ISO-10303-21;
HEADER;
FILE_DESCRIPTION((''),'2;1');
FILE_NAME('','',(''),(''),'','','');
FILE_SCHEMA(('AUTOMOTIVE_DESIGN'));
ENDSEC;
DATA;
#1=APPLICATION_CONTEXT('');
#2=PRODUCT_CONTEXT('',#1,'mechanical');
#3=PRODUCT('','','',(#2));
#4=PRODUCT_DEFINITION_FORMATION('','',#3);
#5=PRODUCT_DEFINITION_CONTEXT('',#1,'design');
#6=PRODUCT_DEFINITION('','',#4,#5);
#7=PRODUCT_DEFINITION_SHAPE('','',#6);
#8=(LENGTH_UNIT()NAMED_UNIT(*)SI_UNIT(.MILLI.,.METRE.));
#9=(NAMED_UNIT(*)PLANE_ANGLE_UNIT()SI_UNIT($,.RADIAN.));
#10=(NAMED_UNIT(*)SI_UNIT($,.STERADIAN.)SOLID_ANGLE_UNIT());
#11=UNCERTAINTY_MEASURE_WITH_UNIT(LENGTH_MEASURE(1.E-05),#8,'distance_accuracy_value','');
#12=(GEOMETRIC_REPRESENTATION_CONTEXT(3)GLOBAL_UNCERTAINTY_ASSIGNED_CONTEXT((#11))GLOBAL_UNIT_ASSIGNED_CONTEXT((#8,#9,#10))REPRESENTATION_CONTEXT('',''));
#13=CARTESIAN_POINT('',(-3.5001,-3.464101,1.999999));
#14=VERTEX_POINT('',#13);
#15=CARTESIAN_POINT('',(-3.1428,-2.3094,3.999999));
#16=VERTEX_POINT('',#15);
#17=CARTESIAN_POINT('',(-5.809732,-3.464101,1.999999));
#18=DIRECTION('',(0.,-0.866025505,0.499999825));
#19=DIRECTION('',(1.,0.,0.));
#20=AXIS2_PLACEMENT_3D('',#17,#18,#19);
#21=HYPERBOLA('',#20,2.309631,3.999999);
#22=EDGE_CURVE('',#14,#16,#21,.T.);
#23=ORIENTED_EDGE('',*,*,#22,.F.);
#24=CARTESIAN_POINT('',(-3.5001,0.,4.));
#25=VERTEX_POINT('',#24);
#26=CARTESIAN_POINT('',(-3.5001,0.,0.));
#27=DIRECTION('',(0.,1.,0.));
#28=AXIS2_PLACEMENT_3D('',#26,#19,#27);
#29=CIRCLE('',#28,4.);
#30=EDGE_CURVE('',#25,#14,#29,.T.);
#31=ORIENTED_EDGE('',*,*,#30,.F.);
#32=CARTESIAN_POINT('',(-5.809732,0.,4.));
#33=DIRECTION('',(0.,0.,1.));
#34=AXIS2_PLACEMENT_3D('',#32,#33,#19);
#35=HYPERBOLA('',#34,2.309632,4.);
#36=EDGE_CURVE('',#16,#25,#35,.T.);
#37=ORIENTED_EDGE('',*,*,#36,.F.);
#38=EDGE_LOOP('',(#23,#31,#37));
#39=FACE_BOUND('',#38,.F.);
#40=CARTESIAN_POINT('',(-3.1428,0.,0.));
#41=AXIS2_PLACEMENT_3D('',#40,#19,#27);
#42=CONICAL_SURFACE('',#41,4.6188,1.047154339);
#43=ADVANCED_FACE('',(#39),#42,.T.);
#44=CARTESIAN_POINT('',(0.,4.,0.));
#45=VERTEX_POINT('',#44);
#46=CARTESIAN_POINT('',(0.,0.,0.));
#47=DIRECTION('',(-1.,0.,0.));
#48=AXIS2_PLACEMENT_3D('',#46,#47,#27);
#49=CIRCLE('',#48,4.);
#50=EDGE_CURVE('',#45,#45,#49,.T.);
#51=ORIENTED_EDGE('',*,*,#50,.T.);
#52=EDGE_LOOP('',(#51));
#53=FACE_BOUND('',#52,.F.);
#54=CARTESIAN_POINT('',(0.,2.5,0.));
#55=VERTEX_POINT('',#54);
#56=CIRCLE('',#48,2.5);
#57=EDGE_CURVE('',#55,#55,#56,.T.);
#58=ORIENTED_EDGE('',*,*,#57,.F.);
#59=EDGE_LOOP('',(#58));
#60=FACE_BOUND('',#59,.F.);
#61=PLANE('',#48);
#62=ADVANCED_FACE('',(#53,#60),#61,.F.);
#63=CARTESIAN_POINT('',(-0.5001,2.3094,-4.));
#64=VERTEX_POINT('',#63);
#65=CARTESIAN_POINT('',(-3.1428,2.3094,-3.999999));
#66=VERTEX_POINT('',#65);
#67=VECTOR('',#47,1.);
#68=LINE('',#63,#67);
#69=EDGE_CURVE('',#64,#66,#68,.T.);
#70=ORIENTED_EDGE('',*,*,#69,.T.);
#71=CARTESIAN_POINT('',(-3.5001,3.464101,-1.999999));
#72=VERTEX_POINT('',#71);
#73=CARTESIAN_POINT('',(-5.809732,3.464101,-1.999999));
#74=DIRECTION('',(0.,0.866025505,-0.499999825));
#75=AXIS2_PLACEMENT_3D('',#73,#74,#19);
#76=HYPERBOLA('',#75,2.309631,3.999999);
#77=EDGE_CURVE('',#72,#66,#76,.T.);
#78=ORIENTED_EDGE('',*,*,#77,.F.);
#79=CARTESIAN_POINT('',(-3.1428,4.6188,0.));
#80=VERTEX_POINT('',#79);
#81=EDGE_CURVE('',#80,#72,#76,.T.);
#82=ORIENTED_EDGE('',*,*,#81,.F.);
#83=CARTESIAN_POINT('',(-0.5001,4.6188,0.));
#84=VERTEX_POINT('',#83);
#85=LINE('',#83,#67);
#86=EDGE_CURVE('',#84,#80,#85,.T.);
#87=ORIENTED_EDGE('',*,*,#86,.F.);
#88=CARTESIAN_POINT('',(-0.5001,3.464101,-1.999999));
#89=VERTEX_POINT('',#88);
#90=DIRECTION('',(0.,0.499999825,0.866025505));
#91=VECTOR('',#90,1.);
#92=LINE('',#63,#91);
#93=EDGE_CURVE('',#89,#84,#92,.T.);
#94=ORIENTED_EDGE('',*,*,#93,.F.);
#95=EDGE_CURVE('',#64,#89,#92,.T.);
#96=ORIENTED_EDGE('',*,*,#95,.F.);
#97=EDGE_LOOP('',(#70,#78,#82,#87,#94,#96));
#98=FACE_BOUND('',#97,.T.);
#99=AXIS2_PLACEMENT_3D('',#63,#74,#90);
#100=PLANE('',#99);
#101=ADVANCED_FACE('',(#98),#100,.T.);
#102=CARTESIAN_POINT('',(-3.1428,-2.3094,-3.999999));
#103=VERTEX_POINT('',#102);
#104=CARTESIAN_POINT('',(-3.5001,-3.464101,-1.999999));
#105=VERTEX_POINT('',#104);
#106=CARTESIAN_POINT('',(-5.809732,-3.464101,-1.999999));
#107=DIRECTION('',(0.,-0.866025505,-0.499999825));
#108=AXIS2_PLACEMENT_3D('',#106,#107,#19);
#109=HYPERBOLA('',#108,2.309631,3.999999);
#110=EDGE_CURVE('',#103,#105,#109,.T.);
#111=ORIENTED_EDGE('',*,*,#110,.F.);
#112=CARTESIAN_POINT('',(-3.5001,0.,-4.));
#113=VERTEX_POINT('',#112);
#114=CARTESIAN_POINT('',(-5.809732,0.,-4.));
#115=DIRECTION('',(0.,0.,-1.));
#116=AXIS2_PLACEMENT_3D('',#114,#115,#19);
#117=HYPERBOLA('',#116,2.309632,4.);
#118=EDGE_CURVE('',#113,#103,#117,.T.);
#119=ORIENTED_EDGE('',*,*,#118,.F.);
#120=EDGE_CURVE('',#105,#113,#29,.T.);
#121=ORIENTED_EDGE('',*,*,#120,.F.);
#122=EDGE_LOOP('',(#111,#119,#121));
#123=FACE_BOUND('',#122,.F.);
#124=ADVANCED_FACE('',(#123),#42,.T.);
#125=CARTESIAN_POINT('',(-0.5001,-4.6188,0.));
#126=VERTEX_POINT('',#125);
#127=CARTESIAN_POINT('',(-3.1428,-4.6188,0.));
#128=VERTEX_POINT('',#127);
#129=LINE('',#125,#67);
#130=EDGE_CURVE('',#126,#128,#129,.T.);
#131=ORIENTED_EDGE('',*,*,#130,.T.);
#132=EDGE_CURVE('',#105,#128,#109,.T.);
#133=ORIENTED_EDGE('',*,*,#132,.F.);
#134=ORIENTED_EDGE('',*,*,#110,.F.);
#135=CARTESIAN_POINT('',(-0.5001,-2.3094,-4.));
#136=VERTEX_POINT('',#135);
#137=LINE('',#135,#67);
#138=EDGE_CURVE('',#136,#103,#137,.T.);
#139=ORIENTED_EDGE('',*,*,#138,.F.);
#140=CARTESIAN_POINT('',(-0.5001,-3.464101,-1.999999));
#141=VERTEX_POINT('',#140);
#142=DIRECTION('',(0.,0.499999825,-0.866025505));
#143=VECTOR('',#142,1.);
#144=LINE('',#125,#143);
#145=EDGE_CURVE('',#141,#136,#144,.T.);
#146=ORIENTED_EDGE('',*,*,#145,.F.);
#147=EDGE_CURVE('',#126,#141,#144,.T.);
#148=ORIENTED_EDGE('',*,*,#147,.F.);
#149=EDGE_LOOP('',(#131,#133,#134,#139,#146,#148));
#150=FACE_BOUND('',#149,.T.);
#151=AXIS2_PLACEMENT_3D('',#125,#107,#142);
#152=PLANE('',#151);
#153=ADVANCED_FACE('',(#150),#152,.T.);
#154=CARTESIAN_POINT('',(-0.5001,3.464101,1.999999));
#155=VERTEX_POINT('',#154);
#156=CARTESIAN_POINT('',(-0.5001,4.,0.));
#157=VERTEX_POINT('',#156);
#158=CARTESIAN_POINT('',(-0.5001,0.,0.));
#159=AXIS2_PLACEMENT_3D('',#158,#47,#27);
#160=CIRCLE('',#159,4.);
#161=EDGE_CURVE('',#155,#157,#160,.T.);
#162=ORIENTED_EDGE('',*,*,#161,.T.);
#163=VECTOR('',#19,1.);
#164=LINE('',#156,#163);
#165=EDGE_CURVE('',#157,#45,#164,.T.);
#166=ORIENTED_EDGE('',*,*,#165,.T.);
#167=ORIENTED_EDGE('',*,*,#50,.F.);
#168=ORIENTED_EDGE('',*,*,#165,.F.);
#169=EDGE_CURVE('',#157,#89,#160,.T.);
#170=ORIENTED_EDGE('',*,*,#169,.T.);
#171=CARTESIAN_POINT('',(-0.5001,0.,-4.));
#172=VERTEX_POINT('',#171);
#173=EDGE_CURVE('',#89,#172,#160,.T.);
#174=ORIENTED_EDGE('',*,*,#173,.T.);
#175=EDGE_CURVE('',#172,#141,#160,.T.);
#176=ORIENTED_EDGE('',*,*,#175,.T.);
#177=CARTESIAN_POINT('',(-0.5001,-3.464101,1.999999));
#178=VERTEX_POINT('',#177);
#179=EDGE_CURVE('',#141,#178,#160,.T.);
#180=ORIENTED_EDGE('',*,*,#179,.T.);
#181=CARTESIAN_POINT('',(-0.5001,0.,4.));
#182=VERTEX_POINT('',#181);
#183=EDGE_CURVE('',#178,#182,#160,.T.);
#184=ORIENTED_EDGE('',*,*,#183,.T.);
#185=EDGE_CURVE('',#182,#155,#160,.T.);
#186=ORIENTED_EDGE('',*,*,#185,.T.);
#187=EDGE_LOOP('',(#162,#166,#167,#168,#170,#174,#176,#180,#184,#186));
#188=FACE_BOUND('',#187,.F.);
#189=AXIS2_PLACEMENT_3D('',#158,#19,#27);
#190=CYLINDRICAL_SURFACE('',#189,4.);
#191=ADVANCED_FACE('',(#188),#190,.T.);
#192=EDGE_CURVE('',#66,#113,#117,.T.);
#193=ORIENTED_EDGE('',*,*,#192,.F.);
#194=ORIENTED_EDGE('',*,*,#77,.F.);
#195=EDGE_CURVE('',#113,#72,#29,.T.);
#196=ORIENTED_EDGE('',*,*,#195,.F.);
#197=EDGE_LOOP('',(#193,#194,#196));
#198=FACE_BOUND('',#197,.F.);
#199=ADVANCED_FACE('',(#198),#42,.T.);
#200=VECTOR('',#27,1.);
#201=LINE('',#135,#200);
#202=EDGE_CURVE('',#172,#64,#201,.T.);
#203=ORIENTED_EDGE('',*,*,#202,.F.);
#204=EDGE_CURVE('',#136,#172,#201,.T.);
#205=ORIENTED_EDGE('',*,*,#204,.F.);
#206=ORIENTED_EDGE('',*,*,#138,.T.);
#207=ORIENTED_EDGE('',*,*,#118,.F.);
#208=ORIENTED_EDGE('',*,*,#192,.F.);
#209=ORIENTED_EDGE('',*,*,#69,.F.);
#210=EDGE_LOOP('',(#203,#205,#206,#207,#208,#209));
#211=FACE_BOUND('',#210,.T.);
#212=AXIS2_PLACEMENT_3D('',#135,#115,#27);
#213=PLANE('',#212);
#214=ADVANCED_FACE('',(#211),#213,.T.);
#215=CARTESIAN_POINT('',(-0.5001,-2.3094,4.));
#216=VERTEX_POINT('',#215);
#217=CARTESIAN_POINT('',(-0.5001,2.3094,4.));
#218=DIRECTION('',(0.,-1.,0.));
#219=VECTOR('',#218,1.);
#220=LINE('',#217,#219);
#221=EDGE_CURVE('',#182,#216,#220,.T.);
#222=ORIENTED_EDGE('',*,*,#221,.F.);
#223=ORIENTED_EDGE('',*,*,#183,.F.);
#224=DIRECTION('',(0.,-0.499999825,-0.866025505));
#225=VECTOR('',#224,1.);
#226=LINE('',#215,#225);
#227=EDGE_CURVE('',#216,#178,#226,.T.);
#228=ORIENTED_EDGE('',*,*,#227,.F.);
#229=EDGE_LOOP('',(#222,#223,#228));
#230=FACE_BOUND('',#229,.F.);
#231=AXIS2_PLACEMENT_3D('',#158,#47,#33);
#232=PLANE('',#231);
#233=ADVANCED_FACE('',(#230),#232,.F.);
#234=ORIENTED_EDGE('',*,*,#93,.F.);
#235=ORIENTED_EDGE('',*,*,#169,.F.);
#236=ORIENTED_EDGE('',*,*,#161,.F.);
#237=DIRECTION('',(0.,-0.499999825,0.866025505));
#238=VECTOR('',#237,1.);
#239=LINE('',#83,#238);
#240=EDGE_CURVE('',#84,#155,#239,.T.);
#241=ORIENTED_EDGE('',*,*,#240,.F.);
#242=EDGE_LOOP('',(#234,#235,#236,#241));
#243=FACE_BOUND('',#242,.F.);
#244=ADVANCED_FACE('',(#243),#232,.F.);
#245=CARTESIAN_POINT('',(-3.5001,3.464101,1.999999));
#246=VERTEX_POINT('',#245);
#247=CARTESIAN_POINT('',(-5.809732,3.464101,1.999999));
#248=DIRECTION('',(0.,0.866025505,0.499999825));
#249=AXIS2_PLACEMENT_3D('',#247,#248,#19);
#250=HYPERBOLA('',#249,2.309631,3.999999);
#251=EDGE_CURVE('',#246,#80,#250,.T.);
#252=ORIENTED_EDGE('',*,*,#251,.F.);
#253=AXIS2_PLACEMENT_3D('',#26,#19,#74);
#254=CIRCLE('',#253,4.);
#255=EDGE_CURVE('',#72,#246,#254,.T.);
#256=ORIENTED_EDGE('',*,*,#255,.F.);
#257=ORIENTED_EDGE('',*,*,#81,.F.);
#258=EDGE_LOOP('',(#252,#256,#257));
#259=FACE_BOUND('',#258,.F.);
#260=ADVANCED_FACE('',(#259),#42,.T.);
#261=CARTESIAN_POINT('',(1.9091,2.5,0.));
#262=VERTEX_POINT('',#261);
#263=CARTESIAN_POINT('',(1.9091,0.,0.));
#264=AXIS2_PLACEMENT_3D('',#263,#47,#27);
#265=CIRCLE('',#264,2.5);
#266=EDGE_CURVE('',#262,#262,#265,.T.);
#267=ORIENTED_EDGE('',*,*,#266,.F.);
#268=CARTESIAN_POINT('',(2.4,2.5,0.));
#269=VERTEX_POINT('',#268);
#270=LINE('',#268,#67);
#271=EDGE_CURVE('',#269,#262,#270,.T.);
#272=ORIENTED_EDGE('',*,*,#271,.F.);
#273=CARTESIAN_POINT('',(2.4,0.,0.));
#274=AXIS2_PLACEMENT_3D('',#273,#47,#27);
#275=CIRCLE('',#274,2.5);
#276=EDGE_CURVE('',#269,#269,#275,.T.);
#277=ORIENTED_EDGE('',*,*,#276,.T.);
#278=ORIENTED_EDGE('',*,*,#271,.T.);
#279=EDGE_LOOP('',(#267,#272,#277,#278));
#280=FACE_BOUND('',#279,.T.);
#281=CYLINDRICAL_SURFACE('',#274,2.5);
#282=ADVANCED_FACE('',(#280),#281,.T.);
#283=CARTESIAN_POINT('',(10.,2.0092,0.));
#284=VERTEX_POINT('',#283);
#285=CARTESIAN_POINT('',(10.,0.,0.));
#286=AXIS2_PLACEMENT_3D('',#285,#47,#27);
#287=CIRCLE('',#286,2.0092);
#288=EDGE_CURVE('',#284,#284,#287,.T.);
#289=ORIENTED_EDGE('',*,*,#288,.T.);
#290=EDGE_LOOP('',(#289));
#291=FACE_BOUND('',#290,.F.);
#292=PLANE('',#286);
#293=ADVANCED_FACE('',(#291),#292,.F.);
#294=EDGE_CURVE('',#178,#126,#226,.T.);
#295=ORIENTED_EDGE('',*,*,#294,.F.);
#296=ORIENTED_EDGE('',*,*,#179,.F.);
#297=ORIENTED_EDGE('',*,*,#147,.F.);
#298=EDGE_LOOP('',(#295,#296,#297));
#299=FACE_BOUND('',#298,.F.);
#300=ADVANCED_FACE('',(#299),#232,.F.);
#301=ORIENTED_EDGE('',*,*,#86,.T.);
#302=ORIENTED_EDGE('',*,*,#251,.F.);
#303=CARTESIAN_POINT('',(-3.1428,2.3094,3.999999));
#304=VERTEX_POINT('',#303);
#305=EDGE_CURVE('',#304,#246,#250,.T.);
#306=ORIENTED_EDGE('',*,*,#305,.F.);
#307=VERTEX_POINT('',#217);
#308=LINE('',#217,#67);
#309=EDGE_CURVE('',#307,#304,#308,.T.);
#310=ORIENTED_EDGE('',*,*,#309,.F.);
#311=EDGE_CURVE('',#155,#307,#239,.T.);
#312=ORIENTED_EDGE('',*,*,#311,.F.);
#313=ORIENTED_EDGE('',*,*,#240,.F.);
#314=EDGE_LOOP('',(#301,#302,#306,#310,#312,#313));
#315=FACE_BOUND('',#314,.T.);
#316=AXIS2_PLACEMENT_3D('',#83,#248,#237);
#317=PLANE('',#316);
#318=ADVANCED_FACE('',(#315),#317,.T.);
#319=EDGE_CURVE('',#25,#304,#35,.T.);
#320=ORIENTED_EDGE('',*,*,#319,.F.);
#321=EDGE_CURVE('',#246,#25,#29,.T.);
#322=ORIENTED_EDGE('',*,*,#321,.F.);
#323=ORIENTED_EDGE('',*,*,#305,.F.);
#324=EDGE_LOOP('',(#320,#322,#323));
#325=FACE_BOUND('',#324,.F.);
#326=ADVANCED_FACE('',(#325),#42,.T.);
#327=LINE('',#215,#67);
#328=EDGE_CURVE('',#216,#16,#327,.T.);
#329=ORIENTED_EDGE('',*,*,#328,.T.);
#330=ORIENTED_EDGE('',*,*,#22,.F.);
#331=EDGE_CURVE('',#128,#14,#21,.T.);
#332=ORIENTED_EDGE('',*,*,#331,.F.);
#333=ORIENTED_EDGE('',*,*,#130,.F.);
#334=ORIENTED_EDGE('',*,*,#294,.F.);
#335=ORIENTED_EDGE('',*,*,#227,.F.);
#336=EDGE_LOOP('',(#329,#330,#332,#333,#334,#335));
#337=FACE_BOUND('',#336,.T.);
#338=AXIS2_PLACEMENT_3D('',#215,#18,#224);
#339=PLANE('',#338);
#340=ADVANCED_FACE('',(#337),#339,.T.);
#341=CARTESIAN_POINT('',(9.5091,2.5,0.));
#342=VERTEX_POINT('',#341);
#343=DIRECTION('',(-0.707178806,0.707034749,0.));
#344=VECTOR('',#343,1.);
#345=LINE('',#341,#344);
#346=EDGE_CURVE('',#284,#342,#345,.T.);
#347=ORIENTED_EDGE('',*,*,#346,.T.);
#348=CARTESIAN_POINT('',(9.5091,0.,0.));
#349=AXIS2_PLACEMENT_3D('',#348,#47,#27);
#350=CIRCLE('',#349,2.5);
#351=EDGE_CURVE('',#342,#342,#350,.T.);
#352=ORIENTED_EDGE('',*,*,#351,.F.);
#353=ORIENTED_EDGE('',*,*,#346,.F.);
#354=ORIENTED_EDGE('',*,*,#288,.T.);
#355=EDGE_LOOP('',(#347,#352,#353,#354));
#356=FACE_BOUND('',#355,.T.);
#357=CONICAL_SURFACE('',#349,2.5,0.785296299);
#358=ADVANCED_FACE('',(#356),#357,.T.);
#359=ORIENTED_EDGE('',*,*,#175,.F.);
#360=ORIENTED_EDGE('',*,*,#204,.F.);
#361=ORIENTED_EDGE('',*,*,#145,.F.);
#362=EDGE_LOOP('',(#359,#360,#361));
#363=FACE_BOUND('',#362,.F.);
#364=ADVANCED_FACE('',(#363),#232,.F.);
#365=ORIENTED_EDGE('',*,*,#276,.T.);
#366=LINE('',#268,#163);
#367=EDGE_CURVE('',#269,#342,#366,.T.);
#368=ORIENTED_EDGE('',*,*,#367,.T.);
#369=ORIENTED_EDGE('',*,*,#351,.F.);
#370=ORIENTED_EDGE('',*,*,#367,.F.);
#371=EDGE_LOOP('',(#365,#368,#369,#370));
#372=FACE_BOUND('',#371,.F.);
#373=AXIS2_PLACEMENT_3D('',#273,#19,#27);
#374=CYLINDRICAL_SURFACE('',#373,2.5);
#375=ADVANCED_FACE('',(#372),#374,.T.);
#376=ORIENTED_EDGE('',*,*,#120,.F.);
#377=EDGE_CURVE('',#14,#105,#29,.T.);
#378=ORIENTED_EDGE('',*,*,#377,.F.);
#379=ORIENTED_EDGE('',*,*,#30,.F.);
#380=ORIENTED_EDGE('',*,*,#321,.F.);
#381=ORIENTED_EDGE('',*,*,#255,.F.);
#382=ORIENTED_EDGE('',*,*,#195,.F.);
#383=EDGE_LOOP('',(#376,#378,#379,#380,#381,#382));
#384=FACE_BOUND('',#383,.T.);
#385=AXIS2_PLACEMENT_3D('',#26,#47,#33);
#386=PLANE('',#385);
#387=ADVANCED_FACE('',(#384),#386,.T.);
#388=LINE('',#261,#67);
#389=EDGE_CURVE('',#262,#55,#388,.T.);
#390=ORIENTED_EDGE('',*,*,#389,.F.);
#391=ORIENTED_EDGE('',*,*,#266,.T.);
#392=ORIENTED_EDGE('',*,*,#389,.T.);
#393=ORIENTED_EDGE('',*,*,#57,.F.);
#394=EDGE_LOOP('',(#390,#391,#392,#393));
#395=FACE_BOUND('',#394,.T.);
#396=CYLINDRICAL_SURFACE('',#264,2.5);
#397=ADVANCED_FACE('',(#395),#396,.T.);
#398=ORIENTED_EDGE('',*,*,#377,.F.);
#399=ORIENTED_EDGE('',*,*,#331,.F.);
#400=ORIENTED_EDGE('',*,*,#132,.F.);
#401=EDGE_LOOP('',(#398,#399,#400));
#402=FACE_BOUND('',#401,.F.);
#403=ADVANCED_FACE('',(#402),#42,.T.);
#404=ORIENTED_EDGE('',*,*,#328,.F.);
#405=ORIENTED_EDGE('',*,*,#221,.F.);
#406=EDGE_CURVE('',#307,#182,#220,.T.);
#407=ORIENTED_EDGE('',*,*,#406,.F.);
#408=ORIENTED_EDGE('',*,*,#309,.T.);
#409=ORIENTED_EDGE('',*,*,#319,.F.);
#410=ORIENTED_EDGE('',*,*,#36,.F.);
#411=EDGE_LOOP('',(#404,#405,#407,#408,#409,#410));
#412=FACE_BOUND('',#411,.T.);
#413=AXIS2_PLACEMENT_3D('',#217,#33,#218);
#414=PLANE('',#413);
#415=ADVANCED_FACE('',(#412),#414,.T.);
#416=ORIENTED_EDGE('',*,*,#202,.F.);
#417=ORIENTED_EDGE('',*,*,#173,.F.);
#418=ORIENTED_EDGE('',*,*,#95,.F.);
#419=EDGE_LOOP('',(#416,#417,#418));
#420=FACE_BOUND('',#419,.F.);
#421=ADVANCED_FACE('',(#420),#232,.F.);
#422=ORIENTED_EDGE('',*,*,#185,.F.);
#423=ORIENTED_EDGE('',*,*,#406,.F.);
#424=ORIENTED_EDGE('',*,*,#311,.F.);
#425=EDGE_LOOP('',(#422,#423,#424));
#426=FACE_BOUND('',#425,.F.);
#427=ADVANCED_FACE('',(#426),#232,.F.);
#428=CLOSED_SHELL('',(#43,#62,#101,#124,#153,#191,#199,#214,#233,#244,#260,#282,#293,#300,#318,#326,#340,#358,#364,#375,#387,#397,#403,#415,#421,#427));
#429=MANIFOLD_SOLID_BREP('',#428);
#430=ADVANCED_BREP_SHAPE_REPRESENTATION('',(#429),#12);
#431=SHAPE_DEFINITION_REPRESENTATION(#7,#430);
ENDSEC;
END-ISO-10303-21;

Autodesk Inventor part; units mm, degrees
ref_plane "YZ Plane" through (0, 0, 0) normal (1, 0, 0) x (0, 1, 0)
ref_plane "XZ Plane" through (0, 0, 0) normal (0, 1, 0) x (-1, 0, 0)
sketch "Sketch1" plane through (0, 0, 0) normal (0, 0, 1) x (1, 0, 0)
  line L0 (0, 4) -> (0, 2.5)
  line L1 (2.4, 2.5) -> (10, 2.5)
  line L2 (10, 2.5) -> (10, 0)
  line L3 (10, 0) -> (-0.5001, 0)
  line L4 (-2.6001, 0) -> (12.1, 0) projected
  line L5 (-0.5001, 0) -> (-0.5001, 4)
  line L6 (-0.5001, 4) -> (0, 4)
  line L7 (2.4, 2.5) -> (1.9091, 2.5)
  line L8 (1.9091, 2.5) -> (0, 2.5)
  line L9 (0, -0.8) -> (0, 4.8) projected
  dimension "d0" = 10
  dimension "d1" = 7.6
  dimension "d2" = 5
  dimension "d9" = 0.5001
  dimension "d10" = 8
  dimension "d13" = 0.4909
  dimension "d14" = 5
revolve "Body" add sketch "Sketch1" angle 360 about axis through (10, 0, 0) along (-1, 0, 0)
sketch "Sketch2" plane through (-0.5001, 0, 0) normal (-1, 0, 0) x (0, 0, 1)
  line L0 (0, 4.6188) -> (4, 2.3094)
  line L1 (4, 2.3094) -> (4, -2.3094)
  line L2 (4, -2.3094) -> (0, -4.6188)
  line L3 (0, -4.6188) -> (-4, -2.3094)
  line L4 (-4, -2.3094) -> (-4, 2.3094)
  line L5 (-4, 2.3094) -> (0, 4.6188)
  point P0 (0, 0)
  point P1 (0, 0)
  dimension "d11" = 8
extrude "Head" add sketch "Sketch2" along normal blind 3
sketch "Sketch4" plane through (0, 0, 0) normal (0, 0, 1) x (1, 0, 0)
  line L0 (-3.5001, 4) -> (-3.5001, 4.6188)
  line L1 (-3.5001, 4.6188) -> (-3.1428, 4.6188)
  line L2 (-3.1428, 4.6188) -> (-3.5001, 4)
  line L3 (-4.1001, 0) -> (0.0999, 0) projected
  line L4 (-0.5001, 4.6188) -> (-3.5001, 4.6188) projected
  line L5 (-3.5001, 2.3094) -> (-3.5001, 4.6188) projected
  dimension "d5" = 30
  dimension "d19" = 8
revolve "Chamfer1" cut sketch "Sketch4" angle 360 about axis through (-10, 0, 0) along (1, 0, 0)
thread "Thread" size "M5x0.8" class "6g" standard "ISO Metric profile" length 7.6
chamfer "Chamfer2" distance 0.4908 distance2 0.4909 1 edges at (10, -2.5, 0) measured on face at (10, -0.7379, 0.3873)
ref_plane "Work Plane1" through (1.525, 0, 0) normal (0, 0, 1) x (1, 0, 0)
equation "\"d0\" = NLG"
equation "\"d1\" = GEL"
equation "\"d2\" = GD"
equation "\"d10\" = SD2"
equation "\"d14\" = BDM"
equation "\"d11\" = SW"
equation "\"d3\" = KOH - SD"
equation "\"d5\" = ANG1"
equation "\"d19\" = SW0"
equation "\"d15\" = GEL"
equation "\"d6\" = -0.5 * SPD + 0.5 * GD"
equation "\"NLG\" = 10"
equation "\"GD\" = NND"
equation "\"BDM\" = NND"
equation "\"KOH\" = 3.5"
equation "\"GEL\" = 7.6"
equation "\"SW\" = 8"
equation "\"SW0\" = SW"
equation "\"SPD\" = NND - 1.2269 * PTC"
equation "\"SD2\" = SW"
equation "\"SD\" = 0.5"
equation "\"ANG1\" = 30deg"
equation "\"GAL\" = 0.61345 * PTC"
equation "\"GUL\" = 0.61345 * PTC"
equation "\"RR\" = 0.2"
equation "\"WFT\" = SD"
equation "\"GD1\" = THREADDIA - 1.2269 * PTC"
equation "\"THREADDIA\" = 5"
equation "\"SDH\" = SW"
equation "\"TOA\" = 30deg"
equation "\"FAWI\" = 45deg"
equation "\"PTC\" = 0.8"
equation "\"NND\" = 5"
equation "\"E0\" = 1.155 * SW"
properties part number "AS 1110 - M5 x 10" material "Steel, Mild"
